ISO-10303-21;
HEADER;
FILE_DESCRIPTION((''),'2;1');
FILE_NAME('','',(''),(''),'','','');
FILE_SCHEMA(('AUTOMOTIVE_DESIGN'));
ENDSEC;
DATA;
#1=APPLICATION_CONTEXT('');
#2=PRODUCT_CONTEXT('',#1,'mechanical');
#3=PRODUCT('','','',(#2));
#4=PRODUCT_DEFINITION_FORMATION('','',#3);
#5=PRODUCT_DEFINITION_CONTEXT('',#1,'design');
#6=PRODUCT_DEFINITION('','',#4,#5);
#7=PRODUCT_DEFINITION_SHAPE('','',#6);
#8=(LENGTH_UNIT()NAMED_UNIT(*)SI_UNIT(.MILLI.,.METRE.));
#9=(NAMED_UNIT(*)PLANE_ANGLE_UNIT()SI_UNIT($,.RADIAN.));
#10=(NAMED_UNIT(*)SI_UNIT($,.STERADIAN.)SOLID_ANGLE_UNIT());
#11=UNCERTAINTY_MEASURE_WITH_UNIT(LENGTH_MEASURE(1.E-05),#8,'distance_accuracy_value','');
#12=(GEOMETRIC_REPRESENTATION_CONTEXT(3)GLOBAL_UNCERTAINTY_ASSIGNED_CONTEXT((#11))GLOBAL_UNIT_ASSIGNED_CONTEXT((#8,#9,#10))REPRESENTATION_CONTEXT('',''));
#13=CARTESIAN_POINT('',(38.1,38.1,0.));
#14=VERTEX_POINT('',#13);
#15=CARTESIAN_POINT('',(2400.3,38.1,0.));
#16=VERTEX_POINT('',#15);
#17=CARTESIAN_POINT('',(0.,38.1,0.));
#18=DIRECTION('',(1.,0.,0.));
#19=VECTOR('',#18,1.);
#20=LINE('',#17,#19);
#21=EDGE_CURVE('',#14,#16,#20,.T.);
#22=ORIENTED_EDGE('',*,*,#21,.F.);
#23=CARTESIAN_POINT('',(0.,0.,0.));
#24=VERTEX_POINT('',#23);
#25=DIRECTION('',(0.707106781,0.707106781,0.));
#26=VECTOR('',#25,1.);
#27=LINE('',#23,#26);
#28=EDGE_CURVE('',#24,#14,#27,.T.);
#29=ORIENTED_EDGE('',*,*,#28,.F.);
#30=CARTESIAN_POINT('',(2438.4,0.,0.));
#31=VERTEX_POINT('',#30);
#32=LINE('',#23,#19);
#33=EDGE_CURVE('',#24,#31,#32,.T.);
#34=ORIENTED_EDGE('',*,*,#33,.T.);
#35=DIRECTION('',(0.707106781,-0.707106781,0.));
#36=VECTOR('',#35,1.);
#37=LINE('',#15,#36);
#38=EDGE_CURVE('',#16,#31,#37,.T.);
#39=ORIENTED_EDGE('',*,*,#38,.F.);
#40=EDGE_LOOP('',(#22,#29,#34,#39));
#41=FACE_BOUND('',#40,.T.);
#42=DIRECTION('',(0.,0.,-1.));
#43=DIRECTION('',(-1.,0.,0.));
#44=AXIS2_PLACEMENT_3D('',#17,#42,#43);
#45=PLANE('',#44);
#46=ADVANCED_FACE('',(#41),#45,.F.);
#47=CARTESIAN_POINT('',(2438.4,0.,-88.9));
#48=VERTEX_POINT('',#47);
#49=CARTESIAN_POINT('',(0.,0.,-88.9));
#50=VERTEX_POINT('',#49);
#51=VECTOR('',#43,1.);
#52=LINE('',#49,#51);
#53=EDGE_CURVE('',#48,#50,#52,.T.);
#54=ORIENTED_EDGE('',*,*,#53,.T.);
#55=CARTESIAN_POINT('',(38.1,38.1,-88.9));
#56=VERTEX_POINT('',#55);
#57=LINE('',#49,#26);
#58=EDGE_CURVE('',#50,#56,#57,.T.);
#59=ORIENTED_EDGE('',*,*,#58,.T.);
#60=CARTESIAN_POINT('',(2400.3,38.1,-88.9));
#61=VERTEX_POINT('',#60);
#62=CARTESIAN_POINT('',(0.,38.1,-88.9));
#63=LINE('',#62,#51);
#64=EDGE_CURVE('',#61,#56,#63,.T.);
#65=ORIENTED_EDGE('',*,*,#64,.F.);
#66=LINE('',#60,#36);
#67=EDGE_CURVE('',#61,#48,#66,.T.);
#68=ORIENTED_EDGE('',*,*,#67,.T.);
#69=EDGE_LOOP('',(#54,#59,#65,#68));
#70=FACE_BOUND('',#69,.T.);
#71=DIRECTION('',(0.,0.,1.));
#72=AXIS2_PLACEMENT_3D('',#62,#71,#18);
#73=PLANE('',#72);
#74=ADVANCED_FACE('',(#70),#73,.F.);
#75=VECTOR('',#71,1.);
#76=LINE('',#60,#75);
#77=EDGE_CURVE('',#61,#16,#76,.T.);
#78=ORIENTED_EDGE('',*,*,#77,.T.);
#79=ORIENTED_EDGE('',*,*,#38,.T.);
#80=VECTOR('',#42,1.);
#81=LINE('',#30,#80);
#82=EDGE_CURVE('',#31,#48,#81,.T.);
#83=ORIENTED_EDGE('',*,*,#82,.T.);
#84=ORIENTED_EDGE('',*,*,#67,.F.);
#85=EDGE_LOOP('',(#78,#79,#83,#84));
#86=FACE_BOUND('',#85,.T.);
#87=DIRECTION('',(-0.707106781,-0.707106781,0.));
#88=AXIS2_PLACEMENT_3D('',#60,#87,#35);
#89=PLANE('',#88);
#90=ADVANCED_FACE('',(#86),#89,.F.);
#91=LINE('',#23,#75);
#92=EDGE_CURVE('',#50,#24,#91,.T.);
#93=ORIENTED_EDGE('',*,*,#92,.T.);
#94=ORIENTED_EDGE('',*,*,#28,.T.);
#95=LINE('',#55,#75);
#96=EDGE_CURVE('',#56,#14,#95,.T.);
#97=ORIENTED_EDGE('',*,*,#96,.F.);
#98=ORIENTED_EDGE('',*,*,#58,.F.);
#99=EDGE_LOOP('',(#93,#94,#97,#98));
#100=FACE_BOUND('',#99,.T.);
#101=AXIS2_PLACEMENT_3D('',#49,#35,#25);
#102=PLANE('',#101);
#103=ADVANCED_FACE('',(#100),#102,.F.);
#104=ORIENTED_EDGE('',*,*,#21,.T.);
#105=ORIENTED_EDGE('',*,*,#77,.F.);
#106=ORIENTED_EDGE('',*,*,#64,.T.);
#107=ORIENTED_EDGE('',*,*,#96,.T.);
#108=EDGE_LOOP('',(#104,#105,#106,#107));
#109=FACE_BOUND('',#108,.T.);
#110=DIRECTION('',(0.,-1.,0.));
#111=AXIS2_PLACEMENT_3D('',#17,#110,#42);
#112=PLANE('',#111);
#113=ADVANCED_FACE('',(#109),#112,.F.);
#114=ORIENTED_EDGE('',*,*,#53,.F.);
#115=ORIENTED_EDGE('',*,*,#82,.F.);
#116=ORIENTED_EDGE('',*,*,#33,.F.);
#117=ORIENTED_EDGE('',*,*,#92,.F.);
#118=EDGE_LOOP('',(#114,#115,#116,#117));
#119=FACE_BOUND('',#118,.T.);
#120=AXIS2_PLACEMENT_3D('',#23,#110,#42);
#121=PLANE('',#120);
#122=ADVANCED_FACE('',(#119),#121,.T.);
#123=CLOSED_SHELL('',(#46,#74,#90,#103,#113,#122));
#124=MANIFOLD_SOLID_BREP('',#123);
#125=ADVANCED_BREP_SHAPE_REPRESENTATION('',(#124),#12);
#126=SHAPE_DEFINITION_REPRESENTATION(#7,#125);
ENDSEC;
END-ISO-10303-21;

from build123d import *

# Parameters (mm, degrees)
SKETCH1_W           = 2438.4
SKETCH1_H           = 88.9
BOSS_EXTRUDE1_DEPTH = 38.1
CUT_EXTRUDE1_DEPTH  = 89.9


with BuildPart() as part:
    # Sketch1 → Boss-Extrude1 (new body)
    with BuildSketch(Plane(origin=(0, 0, 0), x_dir=(1, 0, 0), z_dir=(0, 1, 0))):
        with Locations((1219.2, 44.45)):
            Rectangle(SKETCH1_W, SKETCH1_H)
    extrude(amount=BOSS_EXTRUDE1_DEPTH)

    # Sketch2 → Cut-Extrude1 (cut, through all)
    with BuildSketch(Plane.XY):
        Polygon((0, 0), (38.1, 38.1), (0, 38.1), align=None)
        Polygon((2438.4, 0), (2438.4, 38.1), (2400.3, 38.1), align=None)
    extrude(amount=-CUT_EXTRUDE1_DEPTH, mode=Mode.SUBTRACT)


solid = part.part
